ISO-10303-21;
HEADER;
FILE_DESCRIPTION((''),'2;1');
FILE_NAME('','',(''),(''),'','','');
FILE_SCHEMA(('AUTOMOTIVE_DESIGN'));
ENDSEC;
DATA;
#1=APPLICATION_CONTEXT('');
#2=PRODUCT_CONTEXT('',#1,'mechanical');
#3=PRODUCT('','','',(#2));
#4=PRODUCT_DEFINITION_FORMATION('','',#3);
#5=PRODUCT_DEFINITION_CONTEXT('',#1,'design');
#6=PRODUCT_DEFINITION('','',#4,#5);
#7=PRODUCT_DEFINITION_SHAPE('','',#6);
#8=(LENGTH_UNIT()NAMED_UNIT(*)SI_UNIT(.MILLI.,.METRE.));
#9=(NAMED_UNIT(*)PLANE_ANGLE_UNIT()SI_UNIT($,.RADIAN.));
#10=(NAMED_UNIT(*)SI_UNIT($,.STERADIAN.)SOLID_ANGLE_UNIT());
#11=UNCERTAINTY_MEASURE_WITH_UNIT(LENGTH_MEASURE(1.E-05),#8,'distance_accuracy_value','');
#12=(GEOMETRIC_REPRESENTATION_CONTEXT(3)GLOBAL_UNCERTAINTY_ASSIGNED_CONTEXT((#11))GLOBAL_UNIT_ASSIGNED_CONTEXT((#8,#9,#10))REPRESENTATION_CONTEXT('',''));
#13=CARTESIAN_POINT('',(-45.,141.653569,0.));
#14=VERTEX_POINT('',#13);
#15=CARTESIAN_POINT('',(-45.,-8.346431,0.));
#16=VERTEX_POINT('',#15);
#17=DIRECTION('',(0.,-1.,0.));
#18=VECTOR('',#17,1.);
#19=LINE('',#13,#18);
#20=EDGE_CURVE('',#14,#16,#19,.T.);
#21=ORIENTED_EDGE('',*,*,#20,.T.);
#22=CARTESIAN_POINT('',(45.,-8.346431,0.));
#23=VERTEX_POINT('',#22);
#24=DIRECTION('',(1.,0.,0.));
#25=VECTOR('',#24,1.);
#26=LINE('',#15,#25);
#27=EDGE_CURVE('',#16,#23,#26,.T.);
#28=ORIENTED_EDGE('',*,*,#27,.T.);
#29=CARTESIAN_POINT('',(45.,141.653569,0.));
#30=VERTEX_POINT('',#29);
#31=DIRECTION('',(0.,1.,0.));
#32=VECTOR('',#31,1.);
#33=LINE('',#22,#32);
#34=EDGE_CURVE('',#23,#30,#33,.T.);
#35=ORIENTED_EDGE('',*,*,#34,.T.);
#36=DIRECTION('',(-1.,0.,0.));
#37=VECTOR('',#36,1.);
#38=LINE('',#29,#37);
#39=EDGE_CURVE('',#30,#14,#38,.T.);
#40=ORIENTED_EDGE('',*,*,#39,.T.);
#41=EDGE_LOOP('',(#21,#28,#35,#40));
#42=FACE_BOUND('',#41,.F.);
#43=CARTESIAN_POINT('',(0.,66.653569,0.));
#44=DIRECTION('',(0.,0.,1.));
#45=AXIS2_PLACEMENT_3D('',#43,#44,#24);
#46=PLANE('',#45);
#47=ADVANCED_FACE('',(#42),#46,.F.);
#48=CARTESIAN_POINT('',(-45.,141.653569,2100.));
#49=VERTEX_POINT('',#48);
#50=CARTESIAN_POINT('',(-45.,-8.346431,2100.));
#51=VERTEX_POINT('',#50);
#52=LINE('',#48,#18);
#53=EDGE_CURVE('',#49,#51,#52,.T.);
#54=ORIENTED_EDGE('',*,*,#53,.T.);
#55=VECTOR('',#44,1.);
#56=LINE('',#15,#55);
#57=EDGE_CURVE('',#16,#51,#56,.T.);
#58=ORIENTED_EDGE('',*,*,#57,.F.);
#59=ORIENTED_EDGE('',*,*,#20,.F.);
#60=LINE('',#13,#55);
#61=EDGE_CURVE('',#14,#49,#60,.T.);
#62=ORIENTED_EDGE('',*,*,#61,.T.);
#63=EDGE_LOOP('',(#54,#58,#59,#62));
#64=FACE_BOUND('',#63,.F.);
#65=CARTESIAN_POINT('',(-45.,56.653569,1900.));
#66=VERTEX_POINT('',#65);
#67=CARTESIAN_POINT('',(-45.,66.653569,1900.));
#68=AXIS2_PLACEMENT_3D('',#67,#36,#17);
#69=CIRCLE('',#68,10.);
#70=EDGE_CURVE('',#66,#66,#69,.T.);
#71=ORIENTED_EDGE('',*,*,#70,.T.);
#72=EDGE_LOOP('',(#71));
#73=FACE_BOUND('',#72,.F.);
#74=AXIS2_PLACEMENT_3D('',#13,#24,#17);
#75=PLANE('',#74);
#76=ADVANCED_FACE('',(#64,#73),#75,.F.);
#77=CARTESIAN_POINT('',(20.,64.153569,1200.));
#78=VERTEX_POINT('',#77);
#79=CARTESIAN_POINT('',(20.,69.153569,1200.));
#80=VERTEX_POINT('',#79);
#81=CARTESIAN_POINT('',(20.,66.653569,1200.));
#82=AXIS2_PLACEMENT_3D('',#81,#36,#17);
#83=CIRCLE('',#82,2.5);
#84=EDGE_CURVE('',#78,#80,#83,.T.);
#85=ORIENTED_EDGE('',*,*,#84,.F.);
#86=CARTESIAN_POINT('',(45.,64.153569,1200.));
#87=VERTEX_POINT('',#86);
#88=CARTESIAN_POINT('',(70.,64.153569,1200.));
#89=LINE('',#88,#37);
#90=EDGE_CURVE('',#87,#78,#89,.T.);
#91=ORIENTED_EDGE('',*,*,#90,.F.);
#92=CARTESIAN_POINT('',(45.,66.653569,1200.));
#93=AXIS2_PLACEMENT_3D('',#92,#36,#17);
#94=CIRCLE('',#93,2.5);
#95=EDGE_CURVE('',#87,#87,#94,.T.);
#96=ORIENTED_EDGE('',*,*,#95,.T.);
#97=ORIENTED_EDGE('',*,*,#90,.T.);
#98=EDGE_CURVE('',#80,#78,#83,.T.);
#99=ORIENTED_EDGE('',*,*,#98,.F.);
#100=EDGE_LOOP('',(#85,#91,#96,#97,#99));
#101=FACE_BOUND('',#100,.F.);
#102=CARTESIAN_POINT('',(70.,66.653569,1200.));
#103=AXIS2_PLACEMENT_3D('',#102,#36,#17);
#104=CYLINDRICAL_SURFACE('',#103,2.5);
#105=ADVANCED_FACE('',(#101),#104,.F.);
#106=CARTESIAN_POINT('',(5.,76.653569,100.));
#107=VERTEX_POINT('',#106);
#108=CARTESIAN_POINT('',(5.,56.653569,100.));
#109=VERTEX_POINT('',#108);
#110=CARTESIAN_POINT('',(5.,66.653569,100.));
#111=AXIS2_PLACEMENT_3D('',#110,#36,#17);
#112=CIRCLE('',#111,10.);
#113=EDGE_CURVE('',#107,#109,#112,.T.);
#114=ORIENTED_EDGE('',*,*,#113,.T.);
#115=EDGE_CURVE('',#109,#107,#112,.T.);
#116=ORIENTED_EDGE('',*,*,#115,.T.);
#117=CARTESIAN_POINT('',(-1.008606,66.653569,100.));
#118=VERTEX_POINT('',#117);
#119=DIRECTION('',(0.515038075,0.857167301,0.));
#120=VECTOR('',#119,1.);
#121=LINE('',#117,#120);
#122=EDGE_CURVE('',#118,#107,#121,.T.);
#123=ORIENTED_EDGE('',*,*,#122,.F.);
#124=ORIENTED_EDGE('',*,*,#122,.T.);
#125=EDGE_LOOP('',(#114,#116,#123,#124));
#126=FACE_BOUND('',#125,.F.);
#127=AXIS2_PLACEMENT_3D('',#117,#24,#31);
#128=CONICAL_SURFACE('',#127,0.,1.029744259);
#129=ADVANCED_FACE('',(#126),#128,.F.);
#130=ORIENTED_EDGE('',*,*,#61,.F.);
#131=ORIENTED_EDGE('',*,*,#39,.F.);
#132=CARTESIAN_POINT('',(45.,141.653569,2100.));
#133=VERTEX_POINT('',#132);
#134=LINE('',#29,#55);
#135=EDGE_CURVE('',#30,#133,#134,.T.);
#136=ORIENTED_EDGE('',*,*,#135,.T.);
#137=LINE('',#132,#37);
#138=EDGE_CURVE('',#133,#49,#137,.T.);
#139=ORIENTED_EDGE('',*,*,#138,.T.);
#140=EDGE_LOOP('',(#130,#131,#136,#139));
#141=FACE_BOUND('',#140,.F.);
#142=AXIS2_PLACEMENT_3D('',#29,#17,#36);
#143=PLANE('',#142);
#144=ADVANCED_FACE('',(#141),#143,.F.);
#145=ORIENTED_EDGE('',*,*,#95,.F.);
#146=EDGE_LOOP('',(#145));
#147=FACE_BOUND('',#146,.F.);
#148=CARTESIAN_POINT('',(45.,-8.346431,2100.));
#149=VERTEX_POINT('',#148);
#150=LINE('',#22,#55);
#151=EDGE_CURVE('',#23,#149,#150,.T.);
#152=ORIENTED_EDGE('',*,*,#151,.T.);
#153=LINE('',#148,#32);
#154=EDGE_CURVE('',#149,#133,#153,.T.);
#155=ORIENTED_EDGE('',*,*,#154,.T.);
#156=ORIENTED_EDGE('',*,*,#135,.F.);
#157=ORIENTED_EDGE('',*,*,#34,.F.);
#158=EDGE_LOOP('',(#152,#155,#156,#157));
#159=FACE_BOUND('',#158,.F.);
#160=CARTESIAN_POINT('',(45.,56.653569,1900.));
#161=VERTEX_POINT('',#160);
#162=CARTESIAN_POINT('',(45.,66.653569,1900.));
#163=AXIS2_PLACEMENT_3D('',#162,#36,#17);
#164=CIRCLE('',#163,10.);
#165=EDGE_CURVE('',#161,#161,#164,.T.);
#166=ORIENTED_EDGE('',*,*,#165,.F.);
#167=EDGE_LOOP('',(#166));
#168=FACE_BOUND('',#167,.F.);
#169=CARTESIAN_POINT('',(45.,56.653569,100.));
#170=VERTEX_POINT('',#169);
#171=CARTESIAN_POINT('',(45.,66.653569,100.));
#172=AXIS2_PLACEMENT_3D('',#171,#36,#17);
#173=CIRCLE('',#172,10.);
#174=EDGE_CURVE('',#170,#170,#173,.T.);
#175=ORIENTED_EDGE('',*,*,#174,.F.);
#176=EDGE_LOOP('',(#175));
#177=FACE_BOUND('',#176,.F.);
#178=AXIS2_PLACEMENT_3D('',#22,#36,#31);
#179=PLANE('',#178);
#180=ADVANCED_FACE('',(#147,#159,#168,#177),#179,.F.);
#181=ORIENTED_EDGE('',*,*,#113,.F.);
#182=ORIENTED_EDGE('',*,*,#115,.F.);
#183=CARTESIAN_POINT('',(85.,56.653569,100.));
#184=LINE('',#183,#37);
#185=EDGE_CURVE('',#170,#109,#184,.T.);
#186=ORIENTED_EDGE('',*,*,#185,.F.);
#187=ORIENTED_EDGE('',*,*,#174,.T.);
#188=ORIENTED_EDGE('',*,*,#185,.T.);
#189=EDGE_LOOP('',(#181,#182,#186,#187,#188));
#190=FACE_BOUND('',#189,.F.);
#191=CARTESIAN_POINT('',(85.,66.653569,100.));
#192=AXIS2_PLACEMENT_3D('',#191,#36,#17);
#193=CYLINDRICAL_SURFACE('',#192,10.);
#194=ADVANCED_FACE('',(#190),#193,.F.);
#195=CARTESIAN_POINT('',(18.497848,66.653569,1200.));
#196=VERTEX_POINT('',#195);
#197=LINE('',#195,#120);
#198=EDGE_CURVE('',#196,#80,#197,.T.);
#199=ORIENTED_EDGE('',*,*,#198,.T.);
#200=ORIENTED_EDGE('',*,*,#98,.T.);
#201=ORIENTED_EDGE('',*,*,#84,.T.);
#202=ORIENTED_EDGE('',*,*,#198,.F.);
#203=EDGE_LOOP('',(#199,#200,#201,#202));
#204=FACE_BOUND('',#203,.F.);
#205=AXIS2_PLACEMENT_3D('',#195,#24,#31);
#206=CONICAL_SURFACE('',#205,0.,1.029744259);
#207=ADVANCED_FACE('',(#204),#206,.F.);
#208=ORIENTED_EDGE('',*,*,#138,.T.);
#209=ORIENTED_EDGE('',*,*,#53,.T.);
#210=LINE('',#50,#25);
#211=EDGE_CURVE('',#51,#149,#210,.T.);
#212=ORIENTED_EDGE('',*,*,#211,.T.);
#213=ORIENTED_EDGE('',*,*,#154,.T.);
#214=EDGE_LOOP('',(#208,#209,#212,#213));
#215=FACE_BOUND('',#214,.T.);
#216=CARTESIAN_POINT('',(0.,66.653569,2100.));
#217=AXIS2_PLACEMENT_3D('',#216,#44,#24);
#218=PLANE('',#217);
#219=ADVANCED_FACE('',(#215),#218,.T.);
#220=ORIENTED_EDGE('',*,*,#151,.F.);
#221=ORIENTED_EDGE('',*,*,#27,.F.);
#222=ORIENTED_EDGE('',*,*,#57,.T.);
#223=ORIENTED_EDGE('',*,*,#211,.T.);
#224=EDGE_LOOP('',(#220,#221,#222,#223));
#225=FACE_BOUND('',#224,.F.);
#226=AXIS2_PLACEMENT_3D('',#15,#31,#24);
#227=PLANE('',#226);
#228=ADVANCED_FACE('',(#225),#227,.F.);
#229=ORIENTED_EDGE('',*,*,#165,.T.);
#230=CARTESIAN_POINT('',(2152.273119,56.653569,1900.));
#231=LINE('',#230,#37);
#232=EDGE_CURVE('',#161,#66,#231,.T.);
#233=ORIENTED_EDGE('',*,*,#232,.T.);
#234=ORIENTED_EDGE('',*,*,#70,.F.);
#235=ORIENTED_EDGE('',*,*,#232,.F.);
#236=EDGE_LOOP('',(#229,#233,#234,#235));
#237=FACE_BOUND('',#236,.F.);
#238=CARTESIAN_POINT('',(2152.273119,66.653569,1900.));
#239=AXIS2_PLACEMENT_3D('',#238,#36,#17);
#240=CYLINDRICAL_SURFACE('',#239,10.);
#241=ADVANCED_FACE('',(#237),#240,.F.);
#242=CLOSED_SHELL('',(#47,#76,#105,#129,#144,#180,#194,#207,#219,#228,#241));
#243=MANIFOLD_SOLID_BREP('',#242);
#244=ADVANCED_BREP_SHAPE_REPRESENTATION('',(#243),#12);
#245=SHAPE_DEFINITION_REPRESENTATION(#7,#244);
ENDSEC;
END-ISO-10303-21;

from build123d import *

# Parameters (mm, degrees)
F1_DEPTH = 2100
F3_D     = 20
F5_D     = 20
F5_DEPTH = 40
F5_TIP   = 6.0086061903
F6_D     = 5
F6_DEPTH = 25
F6_TIP   = 1.5021515476


with BuildPart() as f1:
    # F0 (on Top) → F1 (new body)
    with BuildSketch(Plane.XY):
        Polygon((-34.2555230263, 141.6535690603), (-45, 141.6535690603), (-45, -8.3464309397), (45, -8.3464309397), (45, 141.6535690603), (34.2555230263, 141.6535690603), align=None)
    extrude(amount=F1_DEPTH)

    # F3 (through all)
    with Locations(Plane.YZ.offset(45)):
        with Locations((66.6535690603, 1900)):
            Hole(F3_D / 2)

    # F5
    with Locations(Plane.YZ.offset(45)):
        with Locations((66.6535690603, 100)):
            Hole(F5_D / 2, depth=F5_DEPTH)
            with Locations((0, 0, -(F5_DEPTH + F5_TIP / 2))):  # 118° drill point
                Cone(0, F5_D / 2, F5_TIP, mode=Mode.SUBTRACT)

    # F6
    with Locations(Plane.YZ.offset(45)):
        with Locations((66.6535690603, 1200)):
            Hole(F6_D / 2, depth=F6_DEPTH)
            with Locations((0, 0, -(F6_DEPTH + F6_TIP / 2))):  # 118° drill point
                Cone(0, F6_D / 2, F6_TIP, mode=Mode.SUBTRACT)


solid = f1.part
